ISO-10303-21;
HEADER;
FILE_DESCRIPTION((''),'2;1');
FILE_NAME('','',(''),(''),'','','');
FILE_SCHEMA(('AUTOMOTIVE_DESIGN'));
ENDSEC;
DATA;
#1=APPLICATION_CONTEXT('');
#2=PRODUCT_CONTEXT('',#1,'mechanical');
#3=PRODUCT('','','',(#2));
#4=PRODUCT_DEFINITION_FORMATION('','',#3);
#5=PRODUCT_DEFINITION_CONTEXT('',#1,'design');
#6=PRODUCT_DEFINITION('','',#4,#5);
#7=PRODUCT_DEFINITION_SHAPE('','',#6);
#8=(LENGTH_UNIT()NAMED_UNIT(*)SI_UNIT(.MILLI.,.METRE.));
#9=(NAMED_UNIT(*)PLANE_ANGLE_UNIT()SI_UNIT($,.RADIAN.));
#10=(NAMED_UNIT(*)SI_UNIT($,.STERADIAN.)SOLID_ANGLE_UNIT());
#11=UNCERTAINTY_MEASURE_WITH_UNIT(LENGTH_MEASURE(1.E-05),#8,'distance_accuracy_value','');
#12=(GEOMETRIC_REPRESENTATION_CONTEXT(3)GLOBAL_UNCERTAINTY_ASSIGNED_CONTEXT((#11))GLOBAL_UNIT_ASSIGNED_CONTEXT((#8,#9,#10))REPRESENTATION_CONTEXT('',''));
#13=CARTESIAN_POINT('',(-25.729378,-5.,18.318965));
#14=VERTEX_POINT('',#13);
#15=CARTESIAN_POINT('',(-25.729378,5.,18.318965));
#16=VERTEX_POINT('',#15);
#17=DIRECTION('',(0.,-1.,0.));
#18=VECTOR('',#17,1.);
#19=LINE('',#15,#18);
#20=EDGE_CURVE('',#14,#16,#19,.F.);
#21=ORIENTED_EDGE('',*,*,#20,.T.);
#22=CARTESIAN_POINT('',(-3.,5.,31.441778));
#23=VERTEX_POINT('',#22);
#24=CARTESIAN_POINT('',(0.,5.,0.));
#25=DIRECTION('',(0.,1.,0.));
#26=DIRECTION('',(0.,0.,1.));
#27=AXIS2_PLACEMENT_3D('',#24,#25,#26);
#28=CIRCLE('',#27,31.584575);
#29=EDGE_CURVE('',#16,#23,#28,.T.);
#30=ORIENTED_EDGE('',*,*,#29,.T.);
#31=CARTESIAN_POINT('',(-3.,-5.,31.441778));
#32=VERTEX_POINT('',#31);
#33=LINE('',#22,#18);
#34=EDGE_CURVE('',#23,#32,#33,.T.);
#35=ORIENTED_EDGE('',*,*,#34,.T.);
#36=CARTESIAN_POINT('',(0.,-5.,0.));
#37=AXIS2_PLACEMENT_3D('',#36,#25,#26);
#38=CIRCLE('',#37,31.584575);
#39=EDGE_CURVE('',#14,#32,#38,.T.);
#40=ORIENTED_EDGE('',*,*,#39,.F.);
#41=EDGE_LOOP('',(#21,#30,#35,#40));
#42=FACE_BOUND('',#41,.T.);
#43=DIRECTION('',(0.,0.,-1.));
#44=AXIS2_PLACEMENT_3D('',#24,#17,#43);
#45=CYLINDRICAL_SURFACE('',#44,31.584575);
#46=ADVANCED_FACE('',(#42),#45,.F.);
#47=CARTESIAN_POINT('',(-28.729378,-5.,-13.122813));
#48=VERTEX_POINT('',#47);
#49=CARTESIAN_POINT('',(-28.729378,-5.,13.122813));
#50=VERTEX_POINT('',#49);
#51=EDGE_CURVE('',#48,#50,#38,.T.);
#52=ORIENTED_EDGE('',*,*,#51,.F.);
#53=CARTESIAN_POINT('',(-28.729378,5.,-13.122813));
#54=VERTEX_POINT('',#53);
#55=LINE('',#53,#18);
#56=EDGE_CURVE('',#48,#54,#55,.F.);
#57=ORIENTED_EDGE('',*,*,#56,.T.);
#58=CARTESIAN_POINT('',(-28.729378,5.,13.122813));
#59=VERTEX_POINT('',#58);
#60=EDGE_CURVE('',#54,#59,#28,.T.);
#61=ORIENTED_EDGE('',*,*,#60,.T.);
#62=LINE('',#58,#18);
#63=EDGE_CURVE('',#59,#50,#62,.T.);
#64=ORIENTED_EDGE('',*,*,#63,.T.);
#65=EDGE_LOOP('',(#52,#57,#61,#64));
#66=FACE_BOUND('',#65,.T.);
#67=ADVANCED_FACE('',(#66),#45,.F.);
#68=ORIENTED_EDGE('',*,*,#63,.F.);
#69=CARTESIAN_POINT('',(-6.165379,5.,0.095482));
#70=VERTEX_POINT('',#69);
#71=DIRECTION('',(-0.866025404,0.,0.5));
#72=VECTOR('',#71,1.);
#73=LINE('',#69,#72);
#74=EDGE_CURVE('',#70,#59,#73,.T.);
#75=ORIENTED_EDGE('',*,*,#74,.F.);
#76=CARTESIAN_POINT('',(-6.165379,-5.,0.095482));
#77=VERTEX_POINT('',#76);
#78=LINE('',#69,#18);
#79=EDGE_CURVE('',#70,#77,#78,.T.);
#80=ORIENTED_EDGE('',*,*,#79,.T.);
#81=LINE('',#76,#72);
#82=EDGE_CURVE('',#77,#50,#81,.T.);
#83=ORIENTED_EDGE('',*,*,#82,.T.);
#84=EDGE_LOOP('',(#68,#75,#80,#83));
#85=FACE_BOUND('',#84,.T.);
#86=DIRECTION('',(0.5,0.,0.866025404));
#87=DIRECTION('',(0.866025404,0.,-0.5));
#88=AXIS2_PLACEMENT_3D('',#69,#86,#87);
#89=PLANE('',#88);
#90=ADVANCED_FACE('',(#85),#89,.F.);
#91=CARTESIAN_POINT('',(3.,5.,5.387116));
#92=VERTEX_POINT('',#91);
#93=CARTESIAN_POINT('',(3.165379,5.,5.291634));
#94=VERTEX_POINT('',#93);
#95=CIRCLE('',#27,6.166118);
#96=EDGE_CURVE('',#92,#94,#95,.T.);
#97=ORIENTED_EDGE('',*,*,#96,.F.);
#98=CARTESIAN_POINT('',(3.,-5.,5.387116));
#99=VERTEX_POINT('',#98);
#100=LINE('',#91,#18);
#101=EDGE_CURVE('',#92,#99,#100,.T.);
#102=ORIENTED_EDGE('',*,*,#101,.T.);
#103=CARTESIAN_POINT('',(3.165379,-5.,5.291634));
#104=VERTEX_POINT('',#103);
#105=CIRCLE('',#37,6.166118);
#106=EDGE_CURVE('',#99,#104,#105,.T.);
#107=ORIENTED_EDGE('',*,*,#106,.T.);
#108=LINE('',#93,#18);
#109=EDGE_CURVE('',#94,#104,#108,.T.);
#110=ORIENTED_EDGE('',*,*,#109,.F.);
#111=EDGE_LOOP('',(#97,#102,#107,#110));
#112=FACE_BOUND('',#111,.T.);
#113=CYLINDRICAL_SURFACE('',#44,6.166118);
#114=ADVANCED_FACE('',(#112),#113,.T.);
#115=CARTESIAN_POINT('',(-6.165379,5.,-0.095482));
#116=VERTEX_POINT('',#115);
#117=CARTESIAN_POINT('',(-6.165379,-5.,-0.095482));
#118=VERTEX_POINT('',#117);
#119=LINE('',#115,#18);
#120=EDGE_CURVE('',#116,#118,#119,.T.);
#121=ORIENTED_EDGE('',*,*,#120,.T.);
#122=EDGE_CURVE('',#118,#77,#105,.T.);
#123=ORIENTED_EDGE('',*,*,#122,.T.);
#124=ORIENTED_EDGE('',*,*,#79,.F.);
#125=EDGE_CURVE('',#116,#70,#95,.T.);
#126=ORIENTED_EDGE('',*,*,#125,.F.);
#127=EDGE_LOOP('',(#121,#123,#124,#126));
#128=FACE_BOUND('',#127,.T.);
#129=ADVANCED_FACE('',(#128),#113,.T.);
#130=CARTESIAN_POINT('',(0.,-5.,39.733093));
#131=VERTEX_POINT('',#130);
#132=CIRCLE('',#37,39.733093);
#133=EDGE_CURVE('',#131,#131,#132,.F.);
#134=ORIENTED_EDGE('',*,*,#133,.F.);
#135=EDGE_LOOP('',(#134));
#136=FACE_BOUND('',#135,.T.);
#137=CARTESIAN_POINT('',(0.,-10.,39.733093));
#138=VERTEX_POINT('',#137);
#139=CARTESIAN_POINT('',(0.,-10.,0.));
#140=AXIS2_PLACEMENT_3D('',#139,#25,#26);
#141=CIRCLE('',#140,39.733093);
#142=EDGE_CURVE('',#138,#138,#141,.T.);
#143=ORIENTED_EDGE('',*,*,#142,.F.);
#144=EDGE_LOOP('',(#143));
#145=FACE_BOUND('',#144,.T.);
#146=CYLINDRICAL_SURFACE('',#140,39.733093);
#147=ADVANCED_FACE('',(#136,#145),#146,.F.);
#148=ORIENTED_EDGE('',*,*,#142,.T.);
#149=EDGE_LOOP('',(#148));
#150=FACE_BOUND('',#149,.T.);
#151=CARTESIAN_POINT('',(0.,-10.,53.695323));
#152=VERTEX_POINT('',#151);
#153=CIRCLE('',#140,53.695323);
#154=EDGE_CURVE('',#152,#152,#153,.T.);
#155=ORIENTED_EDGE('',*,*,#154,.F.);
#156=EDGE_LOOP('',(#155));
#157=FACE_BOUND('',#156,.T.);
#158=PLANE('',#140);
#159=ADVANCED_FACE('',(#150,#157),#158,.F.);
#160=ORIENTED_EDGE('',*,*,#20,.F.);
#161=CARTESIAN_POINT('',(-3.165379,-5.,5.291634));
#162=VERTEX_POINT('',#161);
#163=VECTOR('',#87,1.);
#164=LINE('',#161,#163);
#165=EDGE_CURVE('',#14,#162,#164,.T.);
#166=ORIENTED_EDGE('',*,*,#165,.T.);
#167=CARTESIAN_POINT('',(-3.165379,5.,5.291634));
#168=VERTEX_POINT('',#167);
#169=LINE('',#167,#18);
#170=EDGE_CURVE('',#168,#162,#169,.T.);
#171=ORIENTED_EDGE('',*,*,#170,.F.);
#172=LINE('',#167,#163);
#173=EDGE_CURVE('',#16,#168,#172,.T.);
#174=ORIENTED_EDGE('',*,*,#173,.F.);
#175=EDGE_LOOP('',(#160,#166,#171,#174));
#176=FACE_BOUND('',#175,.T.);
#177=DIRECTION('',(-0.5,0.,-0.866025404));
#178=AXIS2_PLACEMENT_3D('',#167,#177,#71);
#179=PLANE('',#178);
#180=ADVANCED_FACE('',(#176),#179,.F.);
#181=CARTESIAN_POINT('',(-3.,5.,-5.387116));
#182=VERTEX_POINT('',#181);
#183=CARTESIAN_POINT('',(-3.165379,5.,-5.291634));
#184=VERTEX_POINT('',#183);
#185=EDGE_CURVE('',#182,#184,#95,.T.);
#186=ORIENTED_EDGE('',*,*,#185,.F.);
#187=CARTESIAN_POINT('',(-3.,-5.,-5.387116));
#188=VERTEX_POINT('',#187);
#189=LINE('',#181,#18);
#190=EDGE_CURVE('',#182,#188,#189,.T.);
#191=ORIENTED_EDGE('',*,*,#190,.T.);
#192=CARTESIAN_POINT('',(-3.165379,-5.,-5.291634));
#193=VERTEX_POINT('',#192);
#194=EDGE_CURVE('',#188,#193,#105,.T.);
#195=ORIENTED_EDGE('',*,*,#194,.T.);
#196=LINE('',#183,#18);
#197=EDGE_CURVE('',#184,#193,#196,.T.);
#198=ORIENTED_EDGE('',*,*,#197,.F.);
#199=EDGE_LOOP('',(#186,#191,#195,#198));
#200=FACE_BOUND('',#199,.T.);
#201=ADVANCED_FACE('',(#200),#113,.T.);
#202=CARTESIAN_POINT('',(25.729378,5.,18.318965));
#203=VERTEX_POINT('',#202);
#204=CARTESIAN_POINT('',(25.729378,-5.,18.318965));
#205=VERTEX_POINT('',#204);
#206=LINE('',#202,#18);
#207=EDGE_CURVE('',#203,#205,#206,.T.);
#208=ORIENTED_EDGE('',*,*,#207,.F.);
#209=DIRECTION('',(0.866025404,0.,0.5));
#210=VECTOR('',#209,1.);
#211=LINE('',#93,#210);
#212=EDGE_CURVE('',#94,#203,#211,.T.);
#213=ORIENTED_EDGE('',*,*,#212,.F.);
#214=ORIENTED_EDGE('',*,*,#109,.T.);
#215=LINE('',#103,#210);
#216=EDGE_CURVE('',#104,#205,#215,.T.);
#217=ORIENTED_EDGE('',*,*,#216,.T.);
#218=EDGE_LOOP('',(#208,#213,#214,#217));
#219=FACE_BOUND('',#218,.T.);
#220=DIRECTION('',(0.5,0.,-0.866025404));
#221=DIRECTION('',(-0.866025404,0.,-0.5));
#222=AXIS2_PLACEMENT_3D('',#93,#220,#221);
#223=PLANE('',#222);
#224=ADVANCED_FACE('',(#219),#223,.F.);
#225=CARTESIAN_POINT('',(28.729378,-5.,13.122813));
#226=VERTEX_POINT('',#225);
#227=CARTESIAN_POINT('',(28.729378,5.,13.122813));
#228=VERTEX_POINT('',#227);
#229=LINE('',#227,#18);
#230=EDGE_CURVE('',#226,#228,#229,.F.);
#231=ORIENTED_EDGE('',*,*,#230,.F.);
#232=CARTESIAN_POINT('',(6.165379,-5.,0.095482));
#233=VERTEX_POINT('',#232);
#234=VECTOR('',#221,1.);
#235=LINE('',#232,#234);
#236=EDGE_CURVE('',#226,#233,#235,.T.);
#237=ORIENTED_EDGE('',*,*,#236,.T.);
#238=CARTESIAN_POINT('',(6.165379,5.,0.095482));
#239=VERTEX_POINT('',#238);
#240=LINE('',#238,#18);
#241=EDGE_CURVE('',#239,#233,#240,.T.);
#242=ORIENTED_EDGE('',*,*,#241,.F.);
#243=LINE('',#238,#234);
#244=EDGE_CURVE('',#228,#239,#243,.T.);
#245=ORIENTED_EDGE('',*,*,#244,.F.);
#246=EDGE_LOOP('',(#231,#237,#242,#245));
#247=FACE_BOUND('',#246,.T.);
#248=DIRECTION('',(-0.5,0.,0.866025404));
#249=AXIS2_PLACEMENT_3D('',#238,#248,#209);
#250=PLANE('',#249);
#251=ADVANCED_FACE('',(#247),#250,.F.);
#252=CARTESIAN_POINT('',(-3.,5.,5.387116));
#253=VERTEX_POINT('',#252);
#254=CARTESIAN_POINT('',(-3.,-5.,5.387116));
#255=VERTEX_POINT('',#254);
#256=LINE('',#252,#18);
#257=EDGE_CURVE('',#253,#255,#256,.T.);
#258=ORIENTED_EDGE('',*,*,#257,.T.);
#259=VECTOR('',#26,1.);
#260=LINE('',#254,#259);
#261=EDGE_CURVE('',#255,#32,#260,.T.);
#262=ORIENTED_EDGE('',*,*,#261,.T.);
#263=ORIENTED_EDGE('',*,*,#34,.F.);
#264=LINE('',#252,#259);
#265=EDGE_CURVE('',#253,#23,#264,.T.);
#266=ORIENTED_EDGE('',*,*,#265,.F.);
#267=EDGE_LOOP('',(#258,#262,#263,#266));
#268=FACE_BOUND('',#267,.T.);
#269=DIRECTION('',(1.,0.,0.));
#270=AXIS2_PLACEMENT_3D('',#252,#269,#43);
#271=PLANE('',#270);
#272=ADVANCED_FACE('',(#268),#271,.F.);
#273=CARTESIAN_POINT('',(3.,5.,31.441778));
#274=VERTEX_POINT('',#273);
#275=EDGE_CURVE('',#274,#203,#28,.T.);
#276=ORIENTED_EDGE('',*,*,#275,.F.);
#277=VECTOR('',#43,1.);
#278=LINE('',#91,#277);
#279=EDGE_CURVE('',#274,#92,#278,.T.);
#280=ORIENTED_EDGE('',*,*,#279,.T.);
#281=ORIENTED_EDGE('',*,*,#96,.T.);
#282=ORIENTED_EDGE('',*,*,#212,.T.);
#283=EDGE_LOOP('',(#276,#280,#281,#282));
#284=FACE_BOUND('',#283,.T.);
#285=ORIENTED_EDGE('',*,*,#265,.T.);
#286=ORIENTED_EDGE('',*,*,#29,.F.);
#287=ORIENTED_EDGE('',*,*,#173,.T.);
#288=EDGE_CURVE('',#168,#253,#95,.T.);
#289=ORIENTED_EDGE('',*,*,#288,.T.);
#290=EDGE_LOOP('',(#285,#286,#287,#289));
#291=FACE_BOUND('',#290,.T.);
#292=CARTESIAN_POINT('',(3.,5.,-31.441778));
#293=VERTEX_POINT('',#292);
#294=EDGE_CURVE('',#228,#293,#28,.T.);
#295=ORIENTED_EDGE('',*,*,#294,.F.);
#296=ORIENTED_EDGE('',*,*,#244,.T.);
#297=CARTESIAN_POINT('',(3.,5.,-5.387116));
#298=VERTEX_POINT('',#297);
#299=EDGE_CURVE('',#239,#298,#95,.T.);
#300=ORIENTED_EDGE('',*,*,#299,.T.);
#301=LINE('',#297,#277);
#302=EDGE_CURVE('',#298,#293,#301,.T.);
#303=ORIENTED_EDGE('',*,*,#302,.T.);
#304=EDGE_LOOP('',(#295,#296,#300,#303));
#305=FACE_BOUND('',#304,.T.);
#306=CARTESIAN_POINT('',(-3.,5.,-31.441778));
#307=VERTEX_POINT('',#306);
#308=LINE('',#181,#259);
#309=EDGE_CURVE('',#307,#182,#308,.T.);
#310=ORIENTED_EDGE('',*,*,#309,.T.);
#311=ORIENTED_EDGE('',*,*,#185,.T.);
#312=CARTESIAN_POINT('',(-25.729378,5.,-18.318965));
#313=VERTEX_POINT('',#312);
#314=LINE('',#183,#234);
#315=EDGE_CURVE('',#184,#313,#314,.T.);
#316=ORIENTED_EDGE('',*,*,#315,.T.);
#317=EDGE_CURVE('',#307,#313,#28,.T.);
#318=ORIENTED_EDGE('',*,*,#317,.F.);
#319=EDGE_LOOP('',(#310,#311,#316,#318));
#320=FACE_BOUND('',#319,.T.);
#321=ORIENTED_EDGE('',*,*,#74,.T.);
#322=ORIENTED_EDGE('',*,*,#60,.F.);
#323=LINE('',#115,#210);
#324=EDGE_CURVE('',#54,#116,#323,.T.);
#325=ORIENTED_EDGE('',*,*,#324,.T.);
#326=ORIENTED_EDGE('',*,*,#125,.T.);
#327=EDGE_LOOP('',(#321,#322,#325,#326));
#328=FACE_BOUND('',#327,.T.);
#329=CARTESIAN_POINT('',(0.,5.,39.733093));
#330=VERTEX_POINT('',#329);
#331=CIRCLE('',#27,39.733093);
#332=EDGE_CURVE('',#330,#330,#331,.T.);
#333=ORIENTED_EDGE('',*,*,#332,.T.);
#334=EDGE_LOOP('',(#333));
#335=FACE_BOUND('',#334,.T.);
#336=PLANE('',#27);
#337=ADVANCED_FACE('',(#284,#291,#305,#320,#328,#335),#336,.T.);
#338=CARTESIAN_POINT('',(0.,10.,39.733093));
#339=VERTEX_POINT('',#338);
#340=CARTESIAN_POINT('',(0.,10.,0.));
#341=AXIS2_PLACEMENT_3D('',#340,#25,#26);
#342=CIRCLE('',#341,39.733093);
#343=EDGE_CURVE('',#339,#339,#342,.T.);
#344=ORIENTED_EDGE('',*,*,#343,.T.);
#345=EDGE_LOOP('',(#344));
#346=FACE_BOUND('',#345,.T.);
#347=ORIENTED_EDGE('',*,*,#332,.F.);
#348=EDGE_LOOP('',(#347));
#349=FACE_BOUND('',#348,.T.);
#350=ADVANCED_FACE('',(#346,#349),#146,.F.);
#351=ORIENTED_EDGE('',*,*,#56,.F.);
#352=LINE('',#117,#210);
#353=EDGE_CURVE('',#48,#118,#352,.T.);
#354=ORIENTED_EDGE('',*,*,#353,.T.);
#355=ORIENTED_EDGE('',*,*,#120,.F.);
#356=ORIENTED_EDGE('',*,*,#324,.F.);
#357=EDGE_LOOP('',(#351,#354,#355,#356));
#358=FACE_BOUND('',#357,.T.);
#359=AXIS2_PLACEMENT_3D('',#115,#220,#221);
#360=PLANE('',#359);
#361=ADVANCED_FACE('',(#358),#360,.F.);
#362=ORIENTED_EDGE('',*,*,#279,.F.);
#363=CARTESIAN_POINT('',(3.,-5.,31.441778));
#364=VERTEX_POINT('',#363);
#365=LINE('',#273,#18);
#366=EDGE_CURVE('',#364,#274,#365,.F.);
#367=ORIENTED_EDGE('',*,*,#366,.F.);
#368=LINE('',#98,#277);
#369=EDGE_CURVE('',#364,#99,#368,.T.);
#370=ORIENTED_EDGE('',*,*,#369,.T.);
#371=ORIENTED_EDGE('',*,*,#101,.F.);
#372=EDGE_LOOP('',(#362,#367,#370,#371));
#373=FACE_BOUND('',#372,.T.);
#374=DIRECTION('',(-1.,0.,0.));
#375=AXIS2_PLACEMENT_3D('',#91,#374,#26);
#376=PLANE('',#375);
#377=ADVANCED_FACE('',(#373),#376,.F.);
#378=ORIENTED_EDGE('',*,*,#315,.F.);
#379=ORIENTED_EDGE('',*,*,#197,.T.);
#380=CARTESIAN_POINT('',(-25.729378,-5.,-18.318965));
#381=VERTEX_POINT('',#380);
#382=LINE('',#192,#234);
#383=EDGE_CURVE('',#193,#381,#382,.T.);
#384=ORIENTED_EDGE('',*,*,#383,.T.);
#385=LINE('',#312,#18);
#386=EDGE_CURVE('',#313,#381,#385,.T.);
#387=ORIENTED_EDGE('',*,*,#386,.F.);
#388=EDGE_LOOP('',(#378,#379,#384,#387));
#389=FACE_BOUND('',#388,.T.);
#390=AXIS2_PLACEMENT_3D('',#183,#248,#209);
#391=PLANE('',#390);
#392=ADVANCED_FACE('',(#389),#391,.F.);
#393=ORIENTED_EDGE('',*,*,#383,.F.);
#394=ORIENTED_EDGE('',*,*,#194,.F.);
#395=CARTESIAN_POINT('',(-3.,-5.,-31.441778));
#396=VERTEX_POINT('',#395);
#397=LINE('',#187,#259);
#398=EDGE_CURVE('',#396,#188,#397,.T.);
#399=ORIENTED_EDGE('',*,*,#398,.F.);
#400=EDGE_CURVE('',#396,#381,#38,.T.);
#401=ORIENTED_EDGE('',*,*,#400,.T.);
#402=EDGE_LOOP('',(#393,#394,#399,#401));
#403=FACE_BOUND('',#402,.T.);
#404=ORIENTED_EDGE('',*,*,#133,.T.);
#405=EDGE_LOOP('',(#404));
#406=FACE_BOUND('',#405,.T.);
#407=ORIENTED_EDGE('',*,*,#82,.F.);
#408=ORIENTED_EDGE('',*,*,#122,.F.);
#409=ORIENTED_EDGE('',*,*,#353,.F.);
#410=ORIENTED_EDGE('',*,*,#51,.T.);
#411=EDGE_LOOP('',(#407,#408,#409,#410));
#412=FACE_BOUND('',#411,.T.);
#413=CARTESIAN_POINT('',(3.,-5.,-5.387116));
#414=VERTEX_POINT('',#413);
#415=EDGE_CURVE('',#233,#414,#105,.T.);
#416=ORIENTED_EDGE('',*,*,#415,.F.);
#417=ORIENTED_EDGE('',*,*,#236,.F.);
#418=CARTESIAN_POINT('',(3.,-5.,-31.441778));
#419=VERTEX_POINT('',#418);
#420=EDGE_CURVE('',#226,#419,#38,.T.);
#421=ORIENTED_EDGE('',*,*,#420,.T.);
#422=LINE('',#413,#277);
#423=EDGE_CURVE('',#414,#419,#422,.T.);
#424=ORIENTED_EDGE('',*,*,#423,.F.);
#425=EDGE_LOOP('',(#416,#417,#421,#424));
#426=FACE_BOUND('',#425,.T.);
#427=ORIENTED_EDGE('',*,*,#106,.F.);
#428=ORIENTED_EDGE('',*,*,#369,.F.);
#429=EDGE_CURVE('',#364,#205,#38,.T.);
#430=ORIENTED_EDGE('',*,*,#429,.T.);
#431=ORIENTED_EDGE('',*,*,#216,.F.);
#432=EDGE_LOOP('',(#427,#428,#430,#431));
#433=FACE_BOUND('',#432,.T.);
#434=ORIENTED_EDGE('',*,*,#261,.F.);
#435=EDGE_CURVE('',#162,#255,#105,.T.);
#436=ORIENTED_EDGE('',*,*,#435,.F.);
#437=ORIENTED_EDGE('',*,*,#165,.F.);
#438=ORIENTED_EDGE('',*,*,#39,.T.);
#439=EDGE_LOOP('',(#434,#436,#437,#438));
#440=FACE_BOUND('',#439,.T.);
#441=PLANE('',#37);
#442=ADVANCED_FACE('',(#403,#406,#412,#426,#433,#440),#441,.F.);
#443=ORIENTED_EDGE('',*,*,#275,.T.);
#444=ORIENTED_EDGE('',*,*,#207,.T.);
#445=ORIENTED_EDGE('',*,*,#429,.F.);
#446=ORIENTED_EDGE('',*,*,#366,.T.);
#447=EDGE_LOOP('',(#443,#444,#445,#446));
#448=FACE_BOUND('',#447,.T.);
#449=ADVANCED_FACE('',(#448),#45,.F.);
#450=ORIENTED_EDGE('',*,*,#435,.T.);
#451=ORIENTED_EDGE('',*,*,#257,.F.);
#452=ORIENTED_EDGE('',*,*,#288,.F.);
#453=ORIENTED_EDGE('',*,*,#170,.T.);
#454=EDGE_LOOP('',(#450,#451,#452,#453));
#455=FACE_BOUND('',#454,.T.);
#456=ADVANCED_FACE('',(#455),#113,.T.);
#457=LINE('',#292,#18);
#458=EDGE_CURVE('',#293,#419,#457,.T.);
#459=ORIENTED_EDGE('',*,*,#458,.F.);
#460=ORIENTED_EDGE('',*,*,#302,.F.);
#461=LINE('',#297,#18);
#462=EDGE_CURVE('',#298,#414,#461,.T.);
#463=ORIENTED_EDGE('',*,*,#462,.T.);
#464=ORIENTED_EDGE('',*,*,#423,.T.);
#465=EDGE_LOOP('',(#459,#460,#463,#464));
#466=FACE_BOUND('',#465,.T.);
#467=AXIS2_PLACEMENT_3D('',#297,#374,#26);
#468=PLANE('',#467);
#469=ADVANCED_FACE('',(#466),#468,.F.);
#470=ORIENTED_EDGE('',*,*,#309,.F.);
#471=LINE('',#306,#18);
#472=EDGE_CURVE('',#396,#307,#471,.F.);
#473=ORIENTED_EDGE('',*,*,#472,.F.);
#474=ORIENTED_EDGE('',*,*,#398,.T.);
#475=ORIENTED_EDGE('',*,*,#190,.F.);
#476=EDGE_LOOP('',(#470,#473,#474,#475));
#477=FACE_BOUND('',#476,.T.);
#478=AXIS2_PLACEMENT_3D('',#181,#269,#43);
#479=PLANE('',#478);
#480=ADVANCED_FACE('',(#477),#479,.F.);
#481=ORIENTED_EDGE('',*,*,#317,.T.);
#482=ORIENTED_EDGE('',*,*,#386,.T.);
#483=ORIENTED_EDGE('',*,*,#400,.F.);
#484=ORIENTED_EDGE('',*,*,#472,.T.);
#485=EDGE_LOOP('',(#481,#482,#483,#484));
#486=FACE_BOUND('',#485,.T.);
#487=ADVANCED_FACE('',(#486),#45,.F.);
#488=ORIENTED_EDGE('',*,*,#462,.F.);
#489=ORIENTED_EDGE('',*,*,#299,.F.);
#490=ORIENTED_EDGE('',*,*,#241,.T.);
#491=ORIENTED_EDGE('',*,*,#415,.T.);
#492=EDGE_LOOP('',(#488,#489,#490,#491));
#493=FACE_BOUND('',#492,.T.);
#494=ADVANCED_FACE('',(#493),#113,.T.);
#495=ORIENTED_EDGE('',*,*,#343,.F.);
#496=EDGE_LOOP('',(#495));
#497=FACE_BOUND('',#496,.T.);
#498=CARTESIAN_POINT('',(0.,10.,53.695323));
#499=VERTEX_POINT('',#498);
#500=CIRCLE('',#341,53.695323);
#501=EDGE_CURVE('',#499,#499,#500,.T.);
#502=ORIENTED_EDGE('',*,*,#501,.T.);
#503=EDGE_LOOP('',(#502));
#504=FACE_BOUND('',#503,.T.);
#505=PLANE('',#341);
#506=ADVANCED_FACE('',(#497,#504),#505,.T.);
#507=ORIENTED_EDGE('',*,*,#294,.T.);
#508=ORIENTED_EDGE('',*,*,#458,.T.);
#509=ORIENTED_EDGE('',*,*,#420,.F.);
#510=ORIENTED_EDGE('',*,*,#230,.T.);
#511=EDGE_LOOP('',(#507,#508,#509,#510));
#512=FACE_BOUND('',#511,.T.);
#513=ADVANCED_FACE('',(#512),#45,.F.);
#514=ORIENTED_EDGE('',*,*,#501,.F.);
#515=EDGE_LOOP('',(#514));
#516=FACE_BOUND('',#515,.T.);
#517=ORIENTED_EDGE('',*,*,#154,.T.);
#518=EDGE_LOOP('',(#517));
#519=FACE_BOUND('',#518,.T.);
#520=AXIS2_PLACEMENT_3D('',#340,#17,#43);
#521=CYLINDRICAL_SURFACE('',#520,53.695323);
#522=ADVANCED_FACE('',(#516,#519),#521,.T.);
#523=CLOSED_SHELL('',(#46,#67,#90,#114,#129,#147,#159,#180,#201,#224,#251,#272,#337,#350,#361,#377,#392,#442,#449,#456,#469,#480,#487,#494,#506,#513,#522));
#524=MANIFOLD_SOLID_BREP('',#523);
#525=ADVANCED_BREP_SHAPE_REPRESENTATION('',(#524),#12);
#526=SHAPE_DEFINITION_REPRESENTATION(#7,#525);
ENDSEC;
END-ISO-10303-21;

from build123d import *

# Parameters (mm, degrees)
SKETCH1_R           = 53.695322997
BOSS_EXTRUDE2_DEPTH = 10
SKETCH3_R           = 39.733093336
CUT_EXTRUDE2_DEPTH  = 10
SKETCH4_R           = 39.733093336
SKETCH4_R_2         = 31.58457531
BOSS_EXTRUDE3_DEPTH = 5
BOSS_EXTRUDE4_DEPTH = 5
CIRPATTERN3_COUNT   = 5
CIRPATTERN3_ANGLE   = 240


with BuildPart() as part:
    # Sketch1 → Boss-Extrude2 (new, symmetric)
    with BuildSketch(Plane(origin=(0, 0, 0), x_dir=(1, 0, 0), z_dir=(0, 1, 0))):
        with Locations(Location((0, 0, 0), (0, 0, 270))):
            Circle(SKETCH1_R)
    extrude(amount=BOSS_EXTRUDE2_DEPTH, both=True)

    # Sketch3 → Cut-Extrude2 (cut, symmetric)
    with BuildSketch(Plane(origin=(0, 0, 0), x_dir=(1, 0, 0), z_dir=(0, 1, 0))):
        with Locations(Location((0, 0, 0), (0, 0, 270))):
            Circle(SKETCH3_R)
    extrude(amount=CUT_EXTRUDE2_DEPTH, both=True, mode=Mode.SUBTRACT)

    # Sketch4 → Boss-Extrude3 (add, symmetric)
    with BuildSketch(Plane(origin=(0, 0, 0), x_dir=(1, 0, 0), z_dir=(0, 1, 0))):
        with Locations(Location((0, 0, 0), (0, 0, 270))):
            Circle(SKETCH4_R)
        with Locations(Location((0, 0, 0), (0, 0, 270))):
            Circle(SKETCH4_R_2, mode=Mode.SUBTRACT)
    extrude(amount=BOSS_EXTRUDE3_DEPTH, both=True)

    # Sketch6 → Boss-Extrude4 (add, symmetric)
    with BuildSketch(Plane(origin=(0, 0, 0), x_dir=(1, 0, 0), z_dir=(0, 1, 0))):
        with BuildLine():
            Line((3, 5.387115822), (3, 39.619675744))
            Line((3, 39.619675744), (-3, 39.619675744))
            Line((-3, 39.619675744), (-3, 5.387115822))
            ThreePointArc((-3, 5.387115822), (0, -6.166118461), (3, 5.387115822))
        make_face()
    boss_extrude4 = extrude(amount=BOSS_EXTRUDE4_DEPTH, both=True)

    # CirPattern3: Boss-Extrude4 ×5 about axis
    cirpattern3_axis = Axis((0, 0, 0), (0, 1, 0))
    for i in range(1, CIRPATTERN3_COUNT):
        add(boss_extrude4.rotate(cirpattern3_axis, i * CIRPATTERN3_ANGLE / (CIRPATTERN3_COUNT - 1)))


solid = part.part
